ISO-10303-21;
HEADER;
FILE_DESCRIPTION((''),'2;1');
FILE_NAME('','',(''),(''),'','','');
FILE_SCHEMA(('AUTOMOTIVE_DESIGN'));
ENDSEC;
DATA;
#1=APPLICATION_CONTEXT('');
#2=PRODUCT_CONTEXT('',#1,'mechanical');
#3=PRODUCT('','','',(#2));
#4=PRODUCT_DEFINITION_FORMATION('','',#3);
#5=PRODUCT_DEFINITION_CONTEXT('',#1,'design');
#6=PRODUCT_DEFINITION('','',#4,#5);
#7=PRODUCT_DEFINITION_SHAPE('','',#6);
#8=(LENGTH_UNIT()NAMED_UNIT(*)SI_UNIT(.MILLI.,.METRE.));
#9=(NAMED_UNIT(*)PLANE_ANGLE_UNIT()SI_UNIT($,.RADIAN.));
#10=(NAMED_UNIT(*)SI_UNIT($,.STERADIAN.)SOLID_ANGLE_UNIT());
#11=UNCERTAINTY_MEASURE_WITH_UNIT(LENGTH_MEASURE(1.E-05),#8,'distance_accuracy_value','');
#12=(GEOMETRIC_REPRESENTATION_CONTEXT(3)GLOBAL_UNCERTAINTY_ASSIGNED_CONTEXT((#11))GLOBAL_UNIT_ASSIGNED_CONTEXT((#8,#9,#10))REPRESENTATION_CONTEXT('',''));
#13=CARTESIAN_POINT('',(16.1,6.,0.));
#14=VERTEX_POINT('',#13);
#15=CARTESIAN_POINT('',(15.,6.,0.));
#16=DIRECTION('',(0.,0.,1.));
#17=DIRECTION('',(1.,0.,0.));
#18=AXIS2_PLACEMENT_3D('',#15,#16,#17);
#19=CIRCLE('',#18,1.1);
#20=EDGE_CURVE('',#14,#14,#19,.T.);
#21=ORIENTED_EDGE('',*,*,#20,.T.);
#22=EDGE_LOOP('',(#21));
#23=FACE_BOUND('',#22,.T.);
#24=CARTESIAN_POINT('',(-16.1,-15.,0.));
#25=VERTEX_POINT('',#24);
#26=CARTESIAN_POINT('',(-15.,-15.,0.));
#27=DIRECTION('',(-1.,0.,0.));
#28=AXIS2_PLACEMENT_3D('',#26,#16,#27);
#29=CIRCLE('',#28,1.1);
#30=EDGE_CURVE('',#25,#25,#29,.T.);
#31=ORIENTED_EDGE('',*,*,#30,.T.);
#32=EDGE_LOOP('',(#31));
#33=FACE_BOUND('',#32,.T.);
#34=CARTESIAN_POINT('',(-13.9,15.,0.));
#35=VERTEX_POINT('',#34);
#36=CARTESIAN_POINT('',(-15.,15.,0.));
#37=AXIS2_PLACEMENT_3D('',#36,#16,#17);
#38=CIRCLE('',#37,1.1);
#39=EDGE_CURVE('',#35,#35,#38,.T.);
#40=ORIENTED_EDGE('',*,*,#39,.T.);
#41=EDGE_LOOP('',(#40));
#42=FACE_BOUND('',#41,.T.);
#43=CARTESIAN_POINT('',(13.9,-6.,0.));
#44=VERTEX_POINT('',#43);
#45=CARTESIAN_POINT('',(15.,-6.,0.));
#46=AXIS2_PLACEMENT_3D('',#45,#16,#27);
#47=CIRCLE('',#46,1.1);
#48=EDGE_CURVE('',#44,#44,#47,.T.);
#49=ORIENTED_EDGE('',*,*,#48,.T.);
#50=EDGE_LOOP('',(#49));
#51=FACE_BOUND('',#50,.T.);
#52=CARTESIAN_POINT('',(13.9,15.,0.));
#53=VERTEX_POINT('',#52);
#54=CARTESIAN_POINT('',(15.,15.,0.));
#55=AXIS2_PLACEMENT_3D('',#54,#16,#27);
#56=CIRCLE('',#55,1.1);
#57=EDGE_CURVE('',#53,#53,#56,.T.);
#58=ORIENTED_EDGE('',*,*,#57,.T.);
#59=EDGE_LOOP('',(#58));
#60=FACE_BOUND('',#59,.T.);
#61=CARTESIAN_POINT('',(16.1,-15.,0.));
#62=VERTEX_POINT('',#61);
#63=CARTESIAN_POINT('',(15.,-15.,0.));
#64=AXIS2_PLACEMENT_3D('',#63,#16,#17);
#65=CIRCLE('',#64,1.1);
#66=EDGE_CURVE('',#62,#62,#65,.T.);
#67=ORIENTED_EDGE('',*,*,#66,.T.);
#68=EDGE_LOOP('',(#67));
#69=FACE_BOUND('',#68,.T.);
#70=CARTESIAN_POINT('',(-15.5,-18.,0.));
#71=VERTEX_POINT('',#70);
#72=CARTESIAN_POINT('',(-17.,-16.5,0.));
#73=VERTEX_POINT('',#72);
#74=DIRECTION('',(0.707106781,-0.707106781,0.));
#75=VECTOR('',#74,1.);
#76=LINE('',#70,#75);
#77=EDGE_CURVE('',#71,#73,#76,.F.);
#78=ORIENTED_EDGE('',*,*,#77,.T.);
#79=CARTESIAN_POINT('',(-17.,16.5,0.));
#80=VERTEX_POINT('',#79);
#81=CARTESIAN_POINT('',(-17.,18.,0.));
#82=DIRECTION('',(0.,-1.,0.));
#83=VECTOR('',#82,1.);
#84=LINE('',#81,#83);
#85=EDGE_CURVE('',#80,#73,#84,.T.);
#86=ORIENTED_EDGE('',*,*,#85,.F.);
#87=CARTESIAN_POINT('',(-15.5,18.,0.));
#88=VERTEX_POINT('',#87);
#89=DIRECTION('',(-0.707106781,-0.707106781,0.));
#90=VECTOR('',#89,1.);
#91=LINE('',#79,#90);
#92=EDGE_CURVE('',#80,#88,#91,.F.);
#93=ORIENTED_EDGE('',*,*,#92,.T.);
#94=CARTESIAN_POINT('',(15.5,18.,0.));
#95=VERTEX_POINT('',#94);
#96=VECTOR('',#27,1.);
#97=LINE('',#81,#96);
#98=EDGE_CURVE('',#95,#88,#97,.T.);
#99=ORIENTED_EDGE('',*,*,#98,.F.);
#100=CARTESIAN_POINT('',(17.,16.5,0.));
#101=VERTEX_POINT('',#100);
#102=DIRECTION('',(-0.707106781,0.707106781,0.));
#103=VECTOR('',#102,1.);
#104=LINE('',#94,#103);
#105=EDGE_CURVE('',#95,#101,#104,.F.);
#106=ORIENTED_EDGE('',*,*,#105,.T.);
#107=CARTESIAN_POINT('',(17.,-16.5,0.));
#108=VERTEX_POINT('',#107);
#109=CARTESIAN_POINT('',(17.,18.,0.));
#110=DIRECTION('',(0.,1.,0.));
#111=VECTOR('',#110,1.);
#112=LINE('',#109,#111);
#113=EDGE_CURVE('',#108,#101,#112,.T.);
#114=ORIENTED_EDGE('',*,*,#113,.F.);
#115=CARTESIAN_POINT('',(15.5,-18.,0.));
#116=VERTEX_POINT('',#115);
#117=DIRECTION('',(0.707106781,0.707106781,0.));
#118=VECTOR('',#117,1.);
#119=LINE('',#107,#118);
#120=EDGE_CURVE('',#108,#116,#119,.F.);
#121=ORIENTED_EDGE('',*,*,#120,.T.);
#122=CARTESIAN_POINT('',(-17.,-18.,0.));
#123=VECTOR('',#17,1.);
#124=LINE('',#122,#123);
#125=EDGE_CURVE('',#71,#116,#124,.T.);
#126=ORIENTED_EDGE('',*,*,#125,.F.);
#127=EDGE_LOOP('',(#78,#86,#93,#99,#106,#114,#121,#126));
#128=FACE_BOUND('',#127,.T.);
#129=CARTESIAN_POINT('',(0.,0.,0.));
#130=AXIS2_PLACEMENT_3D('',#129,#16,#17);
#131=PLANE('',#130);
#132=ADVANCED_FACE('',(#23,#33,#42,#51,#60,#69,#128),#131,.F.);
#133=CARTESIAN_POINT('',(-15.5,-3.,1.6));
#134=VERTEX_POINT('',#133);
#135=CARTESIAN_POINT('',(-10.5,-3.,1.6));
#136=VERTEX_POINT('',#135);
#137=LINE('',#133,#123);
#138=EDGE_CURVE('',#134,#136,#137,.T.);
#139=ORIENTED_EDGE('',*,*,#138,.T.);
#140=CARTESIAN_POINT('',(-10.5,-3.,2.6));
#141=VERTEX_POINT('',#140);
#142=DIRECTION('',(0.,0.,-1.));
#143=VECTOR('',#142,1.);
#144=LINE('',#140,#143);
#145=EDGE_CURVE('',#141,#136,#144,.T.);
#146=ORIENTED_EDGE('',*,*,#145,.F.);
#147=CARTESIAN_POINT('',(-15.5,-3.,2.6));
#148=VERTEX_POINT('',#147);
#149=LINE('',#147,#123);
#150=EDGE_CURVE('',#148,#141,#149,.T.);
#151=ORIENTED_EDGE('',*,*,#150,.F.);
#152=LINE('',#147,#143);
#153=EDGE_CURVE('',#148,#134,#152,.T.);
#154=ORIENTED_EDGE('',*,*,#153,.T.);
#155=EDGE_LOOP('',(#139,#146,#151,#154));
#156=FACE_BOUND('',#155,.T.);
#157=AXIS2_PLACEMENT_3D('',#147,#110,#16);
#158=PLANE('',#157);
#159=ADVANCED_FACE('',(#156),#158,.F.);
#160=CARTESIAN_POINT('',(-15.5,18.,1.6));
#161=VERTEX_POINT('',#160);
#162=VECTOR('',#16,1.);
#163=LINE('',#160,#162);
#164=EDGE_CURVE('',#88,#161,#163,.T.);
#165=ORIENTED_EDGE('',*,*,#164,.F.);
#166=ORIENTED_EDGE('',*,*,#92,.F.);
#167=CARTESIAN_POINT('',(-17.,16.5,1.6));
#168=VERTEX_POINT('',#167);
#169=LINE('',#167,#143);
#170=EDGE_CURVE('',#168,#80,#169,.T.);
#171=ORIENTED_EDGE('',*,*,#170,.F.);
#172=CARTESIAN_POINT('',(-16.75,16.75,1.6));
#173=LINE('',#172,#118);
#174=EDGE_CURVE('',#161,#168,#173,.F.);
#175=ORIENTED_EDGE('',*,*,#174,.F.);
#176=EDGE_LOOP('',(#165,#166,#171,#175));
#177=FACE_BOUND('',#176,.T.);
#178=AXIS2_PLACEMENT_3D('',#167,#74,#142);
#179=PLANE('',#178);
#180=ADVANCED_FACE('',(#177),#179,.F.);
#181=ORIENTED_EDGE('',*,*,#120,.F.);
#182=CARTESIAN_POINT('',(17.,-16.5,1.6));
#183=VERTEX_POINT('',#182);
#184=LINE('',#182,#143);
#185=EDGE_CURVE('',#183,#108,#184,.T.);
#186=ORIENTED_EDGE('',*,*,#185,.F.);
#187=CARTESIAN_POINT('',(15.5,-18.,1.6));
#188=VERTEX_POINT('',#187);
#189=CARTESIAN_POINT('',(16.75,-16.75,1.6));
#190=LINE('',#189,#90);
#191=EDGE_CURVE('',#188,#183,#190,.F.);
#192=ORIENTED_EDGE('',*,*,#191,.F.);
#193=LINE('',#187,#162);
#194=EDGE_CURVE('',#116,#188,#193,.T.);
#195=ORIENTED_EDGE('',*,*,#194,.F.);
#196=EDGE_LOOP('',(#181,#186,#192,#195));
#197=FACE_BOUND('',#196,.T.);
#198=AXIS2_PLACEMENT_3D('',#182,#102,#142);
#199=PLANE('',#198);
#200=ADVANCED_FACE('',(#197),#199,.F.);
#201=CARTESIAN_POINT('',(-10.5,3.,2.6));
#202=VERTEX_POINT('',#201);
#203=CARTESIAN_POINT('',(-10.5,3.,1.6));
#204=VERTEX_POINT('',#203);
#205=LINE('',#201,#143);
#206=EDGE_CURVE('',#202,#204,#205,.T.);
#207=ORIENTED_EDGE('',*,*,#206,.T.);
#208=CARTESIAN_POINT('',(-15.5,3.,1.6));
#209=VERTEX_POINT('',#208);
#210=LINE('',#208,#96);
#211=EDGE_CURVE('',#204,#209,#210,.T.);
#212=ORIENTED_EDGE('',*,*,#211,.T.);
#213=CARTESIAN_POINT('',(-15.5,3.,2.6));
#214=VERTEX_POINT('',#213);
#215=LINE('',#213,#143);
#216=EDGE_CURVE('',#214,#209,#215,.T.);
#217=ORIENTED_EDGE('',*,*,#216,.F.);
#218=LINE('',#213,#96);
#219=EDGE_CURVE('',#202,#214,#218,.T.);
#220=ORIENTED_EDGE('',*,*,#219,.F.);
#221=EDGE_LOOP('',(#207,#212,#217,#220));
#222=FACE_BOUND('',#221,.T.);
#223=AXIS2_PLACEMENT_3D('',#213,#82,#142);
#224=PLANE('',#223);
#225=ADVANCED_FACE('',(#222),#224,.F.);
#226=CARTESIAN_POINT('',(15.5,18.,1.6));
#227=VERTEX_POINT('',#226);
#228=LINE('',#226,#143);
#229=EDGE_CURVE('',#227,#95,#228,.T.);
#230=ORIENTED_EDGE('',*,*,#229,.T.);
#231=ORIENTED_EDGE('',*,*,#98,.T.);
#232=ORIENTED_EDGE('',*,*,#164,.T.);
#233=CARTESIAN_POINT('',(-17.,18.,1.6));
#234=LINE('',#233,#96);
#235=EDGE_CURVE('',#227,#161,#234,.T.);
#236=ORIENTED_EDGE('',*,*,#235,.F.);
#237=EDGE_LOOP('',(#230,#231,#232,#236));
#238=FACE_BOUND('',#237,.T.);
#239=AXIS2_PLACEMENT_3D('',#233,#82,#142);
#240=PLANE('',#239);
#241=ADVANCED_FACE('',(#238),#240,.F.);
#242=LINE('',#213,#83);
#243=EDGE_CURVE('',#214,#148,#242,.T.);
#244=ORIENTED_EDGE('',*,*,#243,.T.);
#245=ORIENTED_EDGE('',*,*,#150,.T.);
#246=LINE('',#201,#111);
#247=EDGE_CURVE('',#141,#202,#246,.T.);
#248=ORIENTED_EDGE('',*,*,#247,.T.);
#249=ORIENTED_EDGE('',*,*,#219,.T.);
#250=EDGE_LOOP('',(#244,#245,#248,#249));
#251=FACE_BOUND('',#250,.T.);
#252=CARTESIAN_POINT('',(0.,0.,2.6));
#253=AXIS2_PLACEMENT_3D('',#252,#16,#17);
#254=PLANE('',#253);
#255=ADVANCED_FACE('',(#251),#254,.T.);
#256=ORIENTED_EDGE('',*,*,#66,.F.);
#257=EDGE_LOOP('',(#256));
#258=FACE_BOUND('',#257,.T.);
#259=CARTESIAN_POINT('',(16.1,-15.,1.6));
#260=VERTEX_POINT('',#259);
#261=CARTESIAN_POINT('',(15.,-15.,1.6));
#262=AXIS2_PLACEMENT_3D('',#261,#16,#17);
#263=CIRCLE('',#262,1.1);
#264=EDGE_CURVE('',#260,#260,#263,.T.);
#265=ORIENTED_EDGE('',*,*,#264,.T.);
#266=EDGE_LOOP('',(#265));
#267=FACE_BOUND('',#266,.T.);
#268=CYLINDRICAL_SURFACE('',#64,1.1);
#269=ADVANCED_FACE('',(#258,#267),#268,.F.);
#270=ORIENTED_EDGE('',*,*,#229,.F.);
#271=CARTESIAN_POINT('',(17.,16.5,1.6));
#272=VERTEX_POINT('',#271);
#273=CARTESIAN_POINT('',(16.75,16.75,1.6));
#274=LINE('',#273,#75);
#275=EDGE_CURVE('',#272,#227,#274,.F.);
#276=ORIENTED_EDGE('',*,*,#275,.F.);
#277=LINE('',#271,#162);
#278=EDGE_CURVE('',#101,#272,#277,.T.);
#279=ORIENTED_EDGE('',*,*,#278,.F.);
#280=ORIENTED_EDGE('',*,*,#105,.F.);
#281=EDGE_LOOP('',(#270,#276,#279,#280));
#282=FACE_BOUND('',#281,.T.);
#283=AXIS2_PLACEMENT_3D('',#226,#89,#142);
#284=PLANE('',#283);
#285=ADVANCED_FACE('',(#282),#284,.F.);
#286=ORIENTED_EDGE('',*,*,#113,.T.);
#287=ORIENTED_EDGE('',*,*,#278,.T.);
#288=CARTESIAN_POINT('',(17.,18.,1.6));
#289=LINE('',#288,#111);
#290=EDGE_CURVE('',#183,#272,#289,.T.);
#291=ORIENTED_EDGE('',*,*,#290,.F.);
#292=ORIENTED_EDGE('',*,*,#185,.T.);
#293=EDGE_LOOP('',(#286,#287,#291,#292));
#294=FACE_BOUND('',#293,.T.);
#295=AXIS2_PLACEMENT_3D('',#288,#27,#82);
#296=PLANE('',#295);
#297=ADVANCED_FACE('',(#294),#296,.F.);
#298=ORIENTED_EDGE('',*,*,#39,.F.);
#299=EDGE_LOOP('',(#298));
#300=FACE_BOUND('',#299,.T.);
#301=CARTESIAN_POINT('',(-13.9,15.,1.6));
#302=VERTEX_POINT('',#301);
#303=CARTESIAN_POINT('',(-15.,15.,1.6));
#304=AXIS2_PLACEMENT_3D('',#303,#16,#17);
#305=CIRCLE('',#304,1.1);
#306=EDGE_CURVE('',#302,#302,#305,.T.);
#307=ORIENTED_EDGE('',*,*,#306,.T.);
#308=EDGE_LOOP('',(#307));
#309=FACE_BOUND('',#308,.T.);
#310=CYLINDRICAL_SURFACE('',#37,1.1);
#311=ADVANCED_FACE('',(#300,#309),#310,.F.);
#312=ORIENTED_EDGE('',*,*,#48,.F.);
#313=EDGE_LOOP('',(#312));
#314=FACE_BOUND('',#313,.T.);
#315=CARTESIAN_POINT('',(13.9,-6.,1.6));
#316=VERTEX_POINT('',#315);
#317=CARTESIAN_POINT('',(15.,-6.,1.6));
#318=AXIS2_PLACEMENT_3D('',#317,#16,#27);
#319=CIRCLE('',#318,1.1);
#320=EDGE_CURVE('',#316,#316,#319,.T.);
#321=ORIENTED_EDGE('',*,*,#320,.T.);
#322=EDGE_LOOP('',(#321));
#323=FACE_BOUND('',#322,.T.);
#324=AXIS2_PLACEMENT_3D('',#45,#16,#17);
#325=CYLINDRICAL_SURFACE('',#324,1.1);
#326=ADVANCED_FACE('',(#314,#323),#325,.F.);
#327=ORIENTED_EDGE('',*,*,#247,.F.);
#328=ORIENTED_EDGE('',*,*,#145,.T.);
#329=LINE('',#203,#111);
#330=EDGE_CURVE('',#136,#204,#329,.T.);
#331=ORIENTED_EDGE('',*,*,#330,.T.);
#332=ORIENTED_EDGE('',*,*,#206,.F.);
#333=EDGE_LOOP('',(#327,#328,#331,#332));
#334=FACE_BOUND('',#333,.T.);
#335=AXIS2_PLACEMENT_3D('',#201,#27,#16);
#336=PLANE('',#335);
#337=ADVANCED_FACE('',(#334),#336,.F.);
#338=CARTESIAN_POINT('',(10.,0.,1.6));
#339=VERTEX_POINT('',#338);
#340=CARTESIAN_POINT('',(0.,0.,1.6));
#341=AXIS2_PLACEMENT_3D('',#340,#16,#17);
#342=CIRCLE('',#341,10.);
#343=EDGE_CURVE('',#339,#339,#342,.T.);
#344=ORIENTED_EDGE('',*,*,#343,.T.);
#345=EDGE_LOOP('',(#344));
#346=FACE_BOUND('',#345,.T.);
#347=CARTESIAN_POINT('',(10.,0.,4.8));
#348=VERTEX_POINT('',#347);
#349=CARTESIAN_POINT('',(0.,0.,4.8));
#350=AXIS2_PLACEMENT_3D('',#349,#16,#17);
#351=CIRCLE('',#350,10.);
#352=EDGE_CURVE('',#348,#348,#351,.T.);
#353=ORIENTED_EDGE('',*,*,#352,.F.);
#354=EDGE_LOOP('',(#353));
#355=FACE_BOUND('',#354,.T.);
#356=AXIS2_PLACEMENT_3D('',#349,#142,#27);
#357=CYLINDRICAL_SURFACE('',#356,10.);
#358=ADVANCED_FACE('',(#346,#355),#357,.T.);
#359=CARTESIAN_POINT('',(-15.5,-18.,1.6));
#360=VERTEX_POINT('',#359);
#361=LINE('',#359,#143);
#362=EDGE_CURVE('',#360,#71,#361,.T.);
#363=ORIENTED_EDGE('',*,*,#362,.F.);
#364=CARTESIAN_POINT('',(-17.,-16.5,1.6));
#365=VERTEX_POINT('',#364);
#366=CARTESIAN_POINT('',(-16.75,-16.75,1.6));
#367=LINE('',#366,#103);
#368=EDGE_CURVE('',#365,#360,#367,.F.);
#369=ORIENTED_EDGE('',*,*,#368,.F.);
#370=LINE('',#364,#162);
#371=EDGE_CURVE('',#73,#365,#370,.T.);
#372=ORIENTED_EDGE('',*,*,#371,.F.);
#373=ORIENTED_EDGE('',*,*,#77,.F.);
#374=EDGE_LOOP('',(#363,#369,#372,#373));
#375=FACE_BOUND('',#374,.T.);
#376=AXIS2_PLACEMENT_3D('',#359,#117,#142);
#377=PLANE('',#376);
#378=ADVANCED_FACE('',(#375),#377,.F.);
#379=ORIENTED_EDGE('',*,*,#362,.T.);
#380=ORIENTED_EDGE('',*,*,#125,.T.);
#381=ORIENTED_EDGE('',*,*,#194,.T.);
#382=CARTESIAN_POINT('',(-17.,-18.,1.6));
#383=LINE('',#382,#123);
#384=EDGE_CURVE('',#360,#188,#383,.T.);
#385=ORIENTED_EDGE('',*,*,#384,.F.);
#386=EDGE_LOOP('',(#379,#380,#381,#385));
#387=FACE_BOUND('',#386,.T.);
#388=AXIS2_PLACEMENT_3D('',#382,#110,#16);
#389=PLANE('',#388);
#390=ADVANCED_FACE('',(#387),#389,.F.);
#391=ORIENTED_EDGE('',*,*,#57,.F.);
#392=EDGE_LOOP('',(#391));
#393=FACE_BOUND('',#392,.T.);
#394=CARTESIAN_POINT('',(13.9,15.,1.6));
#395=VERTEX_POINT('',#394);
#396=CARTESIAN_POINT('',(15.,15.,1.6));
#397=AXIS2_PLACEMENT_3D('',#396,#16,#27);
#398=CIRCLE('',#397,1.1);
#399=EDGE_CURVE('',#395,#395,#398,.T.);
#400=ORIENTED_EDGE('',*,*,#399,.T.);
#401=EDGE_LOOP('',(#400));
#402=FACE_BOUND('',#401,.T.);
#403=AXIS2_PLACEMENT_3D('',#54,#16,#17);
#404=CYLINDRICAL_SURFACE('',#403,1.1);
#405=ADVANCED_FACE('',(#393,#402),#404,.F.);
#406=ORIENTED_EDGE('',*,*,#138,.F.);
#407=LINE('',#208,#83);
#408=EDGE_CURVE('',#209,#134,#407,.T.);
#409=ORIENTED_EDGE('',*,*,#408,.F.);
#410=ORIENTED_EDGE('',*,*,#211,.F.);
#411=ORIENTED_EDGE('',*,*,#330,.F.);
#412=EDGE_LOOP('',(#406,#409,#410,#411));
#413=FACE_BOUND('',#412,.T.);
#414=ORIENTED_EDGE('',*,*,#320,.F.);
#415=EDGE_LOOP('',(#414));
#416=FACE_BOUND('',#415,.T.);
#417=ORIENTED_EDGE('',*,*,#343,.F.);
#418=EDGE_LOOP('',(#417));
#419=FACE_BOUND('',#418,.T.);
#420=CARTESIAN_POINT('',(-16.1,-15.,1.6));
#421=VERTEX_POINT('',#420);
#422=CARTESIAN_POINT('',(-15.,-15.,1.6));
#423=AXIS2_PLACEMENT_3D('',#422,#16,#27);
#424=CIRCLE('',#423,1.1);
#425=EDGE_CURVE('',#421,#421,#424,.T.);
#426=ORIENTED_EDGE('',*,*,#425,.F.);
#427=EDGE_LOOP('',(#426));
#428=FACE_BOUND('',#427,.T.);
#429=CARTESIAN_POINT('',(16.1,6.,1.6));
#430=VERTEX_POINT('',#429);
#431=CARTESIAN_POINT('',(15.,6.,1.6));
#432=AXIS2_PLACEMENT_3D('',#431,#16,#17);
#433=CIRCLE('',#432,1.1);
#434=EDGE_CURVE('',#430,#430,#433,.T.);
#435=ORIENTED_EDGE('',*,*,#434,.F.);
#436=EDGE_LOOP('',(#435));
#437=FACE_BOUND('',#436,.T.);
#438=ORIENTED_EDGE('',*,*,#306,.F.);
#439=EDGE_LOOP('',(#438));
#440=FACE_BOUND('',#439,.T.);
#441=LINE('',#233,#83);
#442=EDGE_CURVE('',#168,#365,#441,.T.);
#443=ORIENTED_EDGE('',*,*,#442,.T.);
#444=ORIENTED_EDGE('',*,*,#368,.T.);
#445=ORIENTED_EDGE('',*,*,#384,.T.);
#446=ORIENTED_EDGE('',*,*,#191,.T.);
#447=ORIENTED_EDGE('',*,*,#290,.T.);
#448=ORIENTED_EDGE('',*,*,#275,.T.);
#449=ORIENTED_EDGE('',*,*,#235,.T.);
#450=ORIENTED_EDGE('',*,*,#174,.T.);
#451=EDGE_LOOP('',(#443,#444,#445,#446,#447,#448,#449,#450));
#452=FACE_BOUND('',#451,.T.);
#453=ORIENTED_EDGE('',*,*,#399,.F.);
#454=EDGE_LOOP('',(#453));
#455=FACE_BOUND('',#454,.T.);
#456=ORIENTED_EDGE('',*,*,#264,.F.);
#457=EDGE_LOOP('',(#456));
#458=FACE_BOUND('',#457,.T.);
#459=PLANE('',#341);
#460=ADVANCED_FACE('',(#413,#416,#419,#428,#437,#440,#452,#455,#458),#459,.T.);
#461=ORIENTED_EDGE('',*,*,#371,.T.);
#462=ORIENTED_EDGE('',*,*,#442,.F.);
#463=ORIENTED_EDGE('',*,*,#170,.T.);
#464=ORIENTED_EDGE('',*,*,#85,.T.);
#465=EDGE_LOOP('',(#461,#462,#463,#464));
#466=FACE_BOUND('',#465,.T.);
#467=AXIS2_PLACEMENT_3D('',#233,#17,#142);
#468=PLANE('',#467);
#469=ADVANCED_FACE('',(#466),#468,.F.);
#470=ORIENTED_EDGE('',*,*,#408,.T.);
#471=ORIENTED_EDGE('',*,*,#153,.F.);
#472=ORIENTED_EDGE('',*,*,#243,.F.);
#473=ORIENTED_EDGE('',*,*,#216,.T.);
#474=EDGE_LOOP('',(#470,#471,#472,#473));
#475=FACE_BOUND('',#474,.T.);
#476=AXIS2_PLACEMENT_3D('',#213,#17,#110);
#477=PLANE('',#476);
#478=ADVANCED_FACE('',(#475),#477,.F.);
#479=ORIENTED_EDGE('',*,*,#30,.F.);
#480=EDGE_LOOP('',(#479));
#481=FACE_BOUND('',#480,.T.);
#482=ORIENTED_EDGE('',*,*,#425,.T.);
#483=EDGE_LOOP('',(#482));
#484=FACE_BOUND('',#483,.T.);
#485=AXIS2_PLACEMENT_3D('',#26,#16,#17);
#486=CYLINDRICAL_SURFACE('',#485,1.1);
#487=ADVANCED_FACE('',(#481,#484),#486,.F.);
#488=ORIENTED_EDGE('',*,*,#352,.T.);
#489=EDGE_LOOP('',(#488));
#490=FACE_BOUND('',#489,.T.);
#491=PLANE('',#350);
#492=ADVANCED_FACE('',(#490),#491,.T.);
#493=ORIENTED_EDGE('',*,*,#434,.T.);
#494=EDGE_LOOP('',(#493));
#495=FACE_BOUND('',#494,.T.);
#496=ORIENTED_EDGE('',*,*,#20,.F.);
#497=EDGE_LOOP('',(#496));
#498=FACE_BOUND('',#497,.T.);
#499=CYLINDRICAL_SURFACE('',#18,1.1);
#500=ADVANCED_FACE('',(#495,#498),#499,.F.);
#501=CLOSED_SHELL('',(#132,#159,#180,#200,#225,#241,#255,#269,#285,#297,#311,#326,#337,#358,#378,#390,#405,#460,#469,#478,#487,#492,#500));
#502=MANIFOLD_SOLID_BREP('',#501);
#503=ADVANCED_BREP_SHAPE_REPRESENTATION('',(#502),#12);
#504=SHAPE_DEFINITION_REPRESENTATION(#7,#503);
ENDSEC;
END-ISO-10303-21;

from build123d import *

# Parameters (mm, degrees)
SKETCH1_W           = 34
SKETCH1_H           = 36
BOSS_EXTRUDE1_DEPTH = 1.6
CHAMFER1_SIZE       = 1.5
SKETCH2_R           = 1.1
CUT_EXTRUDE1_DEPTH  = 25.810481656
SKETCH3_R           = 10
BOSS_EXTRUDE2_DEPTH = 3.2
SKETCH4_W           = 5
SKETCH4_H           = 6
BOSS_EXTRUDE3_DEPTH = 1


with BuildPart() as part:
    # Sketch1 → Boss-Extrude1 (new body)
    with BuildSketch(Plane.XY):
        Rectangle(SKETCH1_W, SKETCH1_H)
    extrude(amount=BOSS_EXTRUDE1_DEPTH)

    # Chamfer1
    chamfer1_edges = [part.edges().sort_by_distance(p)[0] for p in [
        (-17, 18, 0.8),
        (17, 18, 0.8),
        (17, -18, 0.8),
        (-17, -18, 0.8),
    ]]
    chamfer(chamfer1_edges, length=CHAMFER1_SIZE)

    # Sketch2 → Cut-Extrude1 (cut, through all)
    with BuildSketch(Plane.XY.offset(1.6)):
        with Locations((-15, 15)):
            Circle(SKETCH2_R)
        with Locations((15, 6)):
            Circle(SKETCH2_R)
        with Locations(Location((-15, -15, 0), (0, 0, 180))):
            Circle(SKETCH2_R)
        with Locations((15, -15)):
            Circle(SKETCH2_R)
        with Locations(Location((15, 15, 0), (0, 0, 180))):
            Circle(SKETCH2_R)
        with Locations(Location((15, -6, 0), (0, 0, 180))):
            Circle(SKETCH2_R)
    extrude(amount=-CUT_EXTRUDE1_DEPTH, mode=Mode.SUBTRACT)

    # Sketch3 → Boss-Extrude2 (add)
    with BuildSketch(Plane.XY.offset(1.6)):
        Circle(SKETCH3_R)
    extrude(amount=BOSS_EXTRUDE2_DEPTH)

    # Sketch4 → Boss-Extrude3 (add)
    with BuildSketch(Plane.XY.offset(1.6)):
        with Locations((-13, 0)):
            Rectangle(SKETCH4_W, SKETCH4_H)
    extrude(amount=BOSS_EXTRUDE3_DEPTH)


solid = part.part
